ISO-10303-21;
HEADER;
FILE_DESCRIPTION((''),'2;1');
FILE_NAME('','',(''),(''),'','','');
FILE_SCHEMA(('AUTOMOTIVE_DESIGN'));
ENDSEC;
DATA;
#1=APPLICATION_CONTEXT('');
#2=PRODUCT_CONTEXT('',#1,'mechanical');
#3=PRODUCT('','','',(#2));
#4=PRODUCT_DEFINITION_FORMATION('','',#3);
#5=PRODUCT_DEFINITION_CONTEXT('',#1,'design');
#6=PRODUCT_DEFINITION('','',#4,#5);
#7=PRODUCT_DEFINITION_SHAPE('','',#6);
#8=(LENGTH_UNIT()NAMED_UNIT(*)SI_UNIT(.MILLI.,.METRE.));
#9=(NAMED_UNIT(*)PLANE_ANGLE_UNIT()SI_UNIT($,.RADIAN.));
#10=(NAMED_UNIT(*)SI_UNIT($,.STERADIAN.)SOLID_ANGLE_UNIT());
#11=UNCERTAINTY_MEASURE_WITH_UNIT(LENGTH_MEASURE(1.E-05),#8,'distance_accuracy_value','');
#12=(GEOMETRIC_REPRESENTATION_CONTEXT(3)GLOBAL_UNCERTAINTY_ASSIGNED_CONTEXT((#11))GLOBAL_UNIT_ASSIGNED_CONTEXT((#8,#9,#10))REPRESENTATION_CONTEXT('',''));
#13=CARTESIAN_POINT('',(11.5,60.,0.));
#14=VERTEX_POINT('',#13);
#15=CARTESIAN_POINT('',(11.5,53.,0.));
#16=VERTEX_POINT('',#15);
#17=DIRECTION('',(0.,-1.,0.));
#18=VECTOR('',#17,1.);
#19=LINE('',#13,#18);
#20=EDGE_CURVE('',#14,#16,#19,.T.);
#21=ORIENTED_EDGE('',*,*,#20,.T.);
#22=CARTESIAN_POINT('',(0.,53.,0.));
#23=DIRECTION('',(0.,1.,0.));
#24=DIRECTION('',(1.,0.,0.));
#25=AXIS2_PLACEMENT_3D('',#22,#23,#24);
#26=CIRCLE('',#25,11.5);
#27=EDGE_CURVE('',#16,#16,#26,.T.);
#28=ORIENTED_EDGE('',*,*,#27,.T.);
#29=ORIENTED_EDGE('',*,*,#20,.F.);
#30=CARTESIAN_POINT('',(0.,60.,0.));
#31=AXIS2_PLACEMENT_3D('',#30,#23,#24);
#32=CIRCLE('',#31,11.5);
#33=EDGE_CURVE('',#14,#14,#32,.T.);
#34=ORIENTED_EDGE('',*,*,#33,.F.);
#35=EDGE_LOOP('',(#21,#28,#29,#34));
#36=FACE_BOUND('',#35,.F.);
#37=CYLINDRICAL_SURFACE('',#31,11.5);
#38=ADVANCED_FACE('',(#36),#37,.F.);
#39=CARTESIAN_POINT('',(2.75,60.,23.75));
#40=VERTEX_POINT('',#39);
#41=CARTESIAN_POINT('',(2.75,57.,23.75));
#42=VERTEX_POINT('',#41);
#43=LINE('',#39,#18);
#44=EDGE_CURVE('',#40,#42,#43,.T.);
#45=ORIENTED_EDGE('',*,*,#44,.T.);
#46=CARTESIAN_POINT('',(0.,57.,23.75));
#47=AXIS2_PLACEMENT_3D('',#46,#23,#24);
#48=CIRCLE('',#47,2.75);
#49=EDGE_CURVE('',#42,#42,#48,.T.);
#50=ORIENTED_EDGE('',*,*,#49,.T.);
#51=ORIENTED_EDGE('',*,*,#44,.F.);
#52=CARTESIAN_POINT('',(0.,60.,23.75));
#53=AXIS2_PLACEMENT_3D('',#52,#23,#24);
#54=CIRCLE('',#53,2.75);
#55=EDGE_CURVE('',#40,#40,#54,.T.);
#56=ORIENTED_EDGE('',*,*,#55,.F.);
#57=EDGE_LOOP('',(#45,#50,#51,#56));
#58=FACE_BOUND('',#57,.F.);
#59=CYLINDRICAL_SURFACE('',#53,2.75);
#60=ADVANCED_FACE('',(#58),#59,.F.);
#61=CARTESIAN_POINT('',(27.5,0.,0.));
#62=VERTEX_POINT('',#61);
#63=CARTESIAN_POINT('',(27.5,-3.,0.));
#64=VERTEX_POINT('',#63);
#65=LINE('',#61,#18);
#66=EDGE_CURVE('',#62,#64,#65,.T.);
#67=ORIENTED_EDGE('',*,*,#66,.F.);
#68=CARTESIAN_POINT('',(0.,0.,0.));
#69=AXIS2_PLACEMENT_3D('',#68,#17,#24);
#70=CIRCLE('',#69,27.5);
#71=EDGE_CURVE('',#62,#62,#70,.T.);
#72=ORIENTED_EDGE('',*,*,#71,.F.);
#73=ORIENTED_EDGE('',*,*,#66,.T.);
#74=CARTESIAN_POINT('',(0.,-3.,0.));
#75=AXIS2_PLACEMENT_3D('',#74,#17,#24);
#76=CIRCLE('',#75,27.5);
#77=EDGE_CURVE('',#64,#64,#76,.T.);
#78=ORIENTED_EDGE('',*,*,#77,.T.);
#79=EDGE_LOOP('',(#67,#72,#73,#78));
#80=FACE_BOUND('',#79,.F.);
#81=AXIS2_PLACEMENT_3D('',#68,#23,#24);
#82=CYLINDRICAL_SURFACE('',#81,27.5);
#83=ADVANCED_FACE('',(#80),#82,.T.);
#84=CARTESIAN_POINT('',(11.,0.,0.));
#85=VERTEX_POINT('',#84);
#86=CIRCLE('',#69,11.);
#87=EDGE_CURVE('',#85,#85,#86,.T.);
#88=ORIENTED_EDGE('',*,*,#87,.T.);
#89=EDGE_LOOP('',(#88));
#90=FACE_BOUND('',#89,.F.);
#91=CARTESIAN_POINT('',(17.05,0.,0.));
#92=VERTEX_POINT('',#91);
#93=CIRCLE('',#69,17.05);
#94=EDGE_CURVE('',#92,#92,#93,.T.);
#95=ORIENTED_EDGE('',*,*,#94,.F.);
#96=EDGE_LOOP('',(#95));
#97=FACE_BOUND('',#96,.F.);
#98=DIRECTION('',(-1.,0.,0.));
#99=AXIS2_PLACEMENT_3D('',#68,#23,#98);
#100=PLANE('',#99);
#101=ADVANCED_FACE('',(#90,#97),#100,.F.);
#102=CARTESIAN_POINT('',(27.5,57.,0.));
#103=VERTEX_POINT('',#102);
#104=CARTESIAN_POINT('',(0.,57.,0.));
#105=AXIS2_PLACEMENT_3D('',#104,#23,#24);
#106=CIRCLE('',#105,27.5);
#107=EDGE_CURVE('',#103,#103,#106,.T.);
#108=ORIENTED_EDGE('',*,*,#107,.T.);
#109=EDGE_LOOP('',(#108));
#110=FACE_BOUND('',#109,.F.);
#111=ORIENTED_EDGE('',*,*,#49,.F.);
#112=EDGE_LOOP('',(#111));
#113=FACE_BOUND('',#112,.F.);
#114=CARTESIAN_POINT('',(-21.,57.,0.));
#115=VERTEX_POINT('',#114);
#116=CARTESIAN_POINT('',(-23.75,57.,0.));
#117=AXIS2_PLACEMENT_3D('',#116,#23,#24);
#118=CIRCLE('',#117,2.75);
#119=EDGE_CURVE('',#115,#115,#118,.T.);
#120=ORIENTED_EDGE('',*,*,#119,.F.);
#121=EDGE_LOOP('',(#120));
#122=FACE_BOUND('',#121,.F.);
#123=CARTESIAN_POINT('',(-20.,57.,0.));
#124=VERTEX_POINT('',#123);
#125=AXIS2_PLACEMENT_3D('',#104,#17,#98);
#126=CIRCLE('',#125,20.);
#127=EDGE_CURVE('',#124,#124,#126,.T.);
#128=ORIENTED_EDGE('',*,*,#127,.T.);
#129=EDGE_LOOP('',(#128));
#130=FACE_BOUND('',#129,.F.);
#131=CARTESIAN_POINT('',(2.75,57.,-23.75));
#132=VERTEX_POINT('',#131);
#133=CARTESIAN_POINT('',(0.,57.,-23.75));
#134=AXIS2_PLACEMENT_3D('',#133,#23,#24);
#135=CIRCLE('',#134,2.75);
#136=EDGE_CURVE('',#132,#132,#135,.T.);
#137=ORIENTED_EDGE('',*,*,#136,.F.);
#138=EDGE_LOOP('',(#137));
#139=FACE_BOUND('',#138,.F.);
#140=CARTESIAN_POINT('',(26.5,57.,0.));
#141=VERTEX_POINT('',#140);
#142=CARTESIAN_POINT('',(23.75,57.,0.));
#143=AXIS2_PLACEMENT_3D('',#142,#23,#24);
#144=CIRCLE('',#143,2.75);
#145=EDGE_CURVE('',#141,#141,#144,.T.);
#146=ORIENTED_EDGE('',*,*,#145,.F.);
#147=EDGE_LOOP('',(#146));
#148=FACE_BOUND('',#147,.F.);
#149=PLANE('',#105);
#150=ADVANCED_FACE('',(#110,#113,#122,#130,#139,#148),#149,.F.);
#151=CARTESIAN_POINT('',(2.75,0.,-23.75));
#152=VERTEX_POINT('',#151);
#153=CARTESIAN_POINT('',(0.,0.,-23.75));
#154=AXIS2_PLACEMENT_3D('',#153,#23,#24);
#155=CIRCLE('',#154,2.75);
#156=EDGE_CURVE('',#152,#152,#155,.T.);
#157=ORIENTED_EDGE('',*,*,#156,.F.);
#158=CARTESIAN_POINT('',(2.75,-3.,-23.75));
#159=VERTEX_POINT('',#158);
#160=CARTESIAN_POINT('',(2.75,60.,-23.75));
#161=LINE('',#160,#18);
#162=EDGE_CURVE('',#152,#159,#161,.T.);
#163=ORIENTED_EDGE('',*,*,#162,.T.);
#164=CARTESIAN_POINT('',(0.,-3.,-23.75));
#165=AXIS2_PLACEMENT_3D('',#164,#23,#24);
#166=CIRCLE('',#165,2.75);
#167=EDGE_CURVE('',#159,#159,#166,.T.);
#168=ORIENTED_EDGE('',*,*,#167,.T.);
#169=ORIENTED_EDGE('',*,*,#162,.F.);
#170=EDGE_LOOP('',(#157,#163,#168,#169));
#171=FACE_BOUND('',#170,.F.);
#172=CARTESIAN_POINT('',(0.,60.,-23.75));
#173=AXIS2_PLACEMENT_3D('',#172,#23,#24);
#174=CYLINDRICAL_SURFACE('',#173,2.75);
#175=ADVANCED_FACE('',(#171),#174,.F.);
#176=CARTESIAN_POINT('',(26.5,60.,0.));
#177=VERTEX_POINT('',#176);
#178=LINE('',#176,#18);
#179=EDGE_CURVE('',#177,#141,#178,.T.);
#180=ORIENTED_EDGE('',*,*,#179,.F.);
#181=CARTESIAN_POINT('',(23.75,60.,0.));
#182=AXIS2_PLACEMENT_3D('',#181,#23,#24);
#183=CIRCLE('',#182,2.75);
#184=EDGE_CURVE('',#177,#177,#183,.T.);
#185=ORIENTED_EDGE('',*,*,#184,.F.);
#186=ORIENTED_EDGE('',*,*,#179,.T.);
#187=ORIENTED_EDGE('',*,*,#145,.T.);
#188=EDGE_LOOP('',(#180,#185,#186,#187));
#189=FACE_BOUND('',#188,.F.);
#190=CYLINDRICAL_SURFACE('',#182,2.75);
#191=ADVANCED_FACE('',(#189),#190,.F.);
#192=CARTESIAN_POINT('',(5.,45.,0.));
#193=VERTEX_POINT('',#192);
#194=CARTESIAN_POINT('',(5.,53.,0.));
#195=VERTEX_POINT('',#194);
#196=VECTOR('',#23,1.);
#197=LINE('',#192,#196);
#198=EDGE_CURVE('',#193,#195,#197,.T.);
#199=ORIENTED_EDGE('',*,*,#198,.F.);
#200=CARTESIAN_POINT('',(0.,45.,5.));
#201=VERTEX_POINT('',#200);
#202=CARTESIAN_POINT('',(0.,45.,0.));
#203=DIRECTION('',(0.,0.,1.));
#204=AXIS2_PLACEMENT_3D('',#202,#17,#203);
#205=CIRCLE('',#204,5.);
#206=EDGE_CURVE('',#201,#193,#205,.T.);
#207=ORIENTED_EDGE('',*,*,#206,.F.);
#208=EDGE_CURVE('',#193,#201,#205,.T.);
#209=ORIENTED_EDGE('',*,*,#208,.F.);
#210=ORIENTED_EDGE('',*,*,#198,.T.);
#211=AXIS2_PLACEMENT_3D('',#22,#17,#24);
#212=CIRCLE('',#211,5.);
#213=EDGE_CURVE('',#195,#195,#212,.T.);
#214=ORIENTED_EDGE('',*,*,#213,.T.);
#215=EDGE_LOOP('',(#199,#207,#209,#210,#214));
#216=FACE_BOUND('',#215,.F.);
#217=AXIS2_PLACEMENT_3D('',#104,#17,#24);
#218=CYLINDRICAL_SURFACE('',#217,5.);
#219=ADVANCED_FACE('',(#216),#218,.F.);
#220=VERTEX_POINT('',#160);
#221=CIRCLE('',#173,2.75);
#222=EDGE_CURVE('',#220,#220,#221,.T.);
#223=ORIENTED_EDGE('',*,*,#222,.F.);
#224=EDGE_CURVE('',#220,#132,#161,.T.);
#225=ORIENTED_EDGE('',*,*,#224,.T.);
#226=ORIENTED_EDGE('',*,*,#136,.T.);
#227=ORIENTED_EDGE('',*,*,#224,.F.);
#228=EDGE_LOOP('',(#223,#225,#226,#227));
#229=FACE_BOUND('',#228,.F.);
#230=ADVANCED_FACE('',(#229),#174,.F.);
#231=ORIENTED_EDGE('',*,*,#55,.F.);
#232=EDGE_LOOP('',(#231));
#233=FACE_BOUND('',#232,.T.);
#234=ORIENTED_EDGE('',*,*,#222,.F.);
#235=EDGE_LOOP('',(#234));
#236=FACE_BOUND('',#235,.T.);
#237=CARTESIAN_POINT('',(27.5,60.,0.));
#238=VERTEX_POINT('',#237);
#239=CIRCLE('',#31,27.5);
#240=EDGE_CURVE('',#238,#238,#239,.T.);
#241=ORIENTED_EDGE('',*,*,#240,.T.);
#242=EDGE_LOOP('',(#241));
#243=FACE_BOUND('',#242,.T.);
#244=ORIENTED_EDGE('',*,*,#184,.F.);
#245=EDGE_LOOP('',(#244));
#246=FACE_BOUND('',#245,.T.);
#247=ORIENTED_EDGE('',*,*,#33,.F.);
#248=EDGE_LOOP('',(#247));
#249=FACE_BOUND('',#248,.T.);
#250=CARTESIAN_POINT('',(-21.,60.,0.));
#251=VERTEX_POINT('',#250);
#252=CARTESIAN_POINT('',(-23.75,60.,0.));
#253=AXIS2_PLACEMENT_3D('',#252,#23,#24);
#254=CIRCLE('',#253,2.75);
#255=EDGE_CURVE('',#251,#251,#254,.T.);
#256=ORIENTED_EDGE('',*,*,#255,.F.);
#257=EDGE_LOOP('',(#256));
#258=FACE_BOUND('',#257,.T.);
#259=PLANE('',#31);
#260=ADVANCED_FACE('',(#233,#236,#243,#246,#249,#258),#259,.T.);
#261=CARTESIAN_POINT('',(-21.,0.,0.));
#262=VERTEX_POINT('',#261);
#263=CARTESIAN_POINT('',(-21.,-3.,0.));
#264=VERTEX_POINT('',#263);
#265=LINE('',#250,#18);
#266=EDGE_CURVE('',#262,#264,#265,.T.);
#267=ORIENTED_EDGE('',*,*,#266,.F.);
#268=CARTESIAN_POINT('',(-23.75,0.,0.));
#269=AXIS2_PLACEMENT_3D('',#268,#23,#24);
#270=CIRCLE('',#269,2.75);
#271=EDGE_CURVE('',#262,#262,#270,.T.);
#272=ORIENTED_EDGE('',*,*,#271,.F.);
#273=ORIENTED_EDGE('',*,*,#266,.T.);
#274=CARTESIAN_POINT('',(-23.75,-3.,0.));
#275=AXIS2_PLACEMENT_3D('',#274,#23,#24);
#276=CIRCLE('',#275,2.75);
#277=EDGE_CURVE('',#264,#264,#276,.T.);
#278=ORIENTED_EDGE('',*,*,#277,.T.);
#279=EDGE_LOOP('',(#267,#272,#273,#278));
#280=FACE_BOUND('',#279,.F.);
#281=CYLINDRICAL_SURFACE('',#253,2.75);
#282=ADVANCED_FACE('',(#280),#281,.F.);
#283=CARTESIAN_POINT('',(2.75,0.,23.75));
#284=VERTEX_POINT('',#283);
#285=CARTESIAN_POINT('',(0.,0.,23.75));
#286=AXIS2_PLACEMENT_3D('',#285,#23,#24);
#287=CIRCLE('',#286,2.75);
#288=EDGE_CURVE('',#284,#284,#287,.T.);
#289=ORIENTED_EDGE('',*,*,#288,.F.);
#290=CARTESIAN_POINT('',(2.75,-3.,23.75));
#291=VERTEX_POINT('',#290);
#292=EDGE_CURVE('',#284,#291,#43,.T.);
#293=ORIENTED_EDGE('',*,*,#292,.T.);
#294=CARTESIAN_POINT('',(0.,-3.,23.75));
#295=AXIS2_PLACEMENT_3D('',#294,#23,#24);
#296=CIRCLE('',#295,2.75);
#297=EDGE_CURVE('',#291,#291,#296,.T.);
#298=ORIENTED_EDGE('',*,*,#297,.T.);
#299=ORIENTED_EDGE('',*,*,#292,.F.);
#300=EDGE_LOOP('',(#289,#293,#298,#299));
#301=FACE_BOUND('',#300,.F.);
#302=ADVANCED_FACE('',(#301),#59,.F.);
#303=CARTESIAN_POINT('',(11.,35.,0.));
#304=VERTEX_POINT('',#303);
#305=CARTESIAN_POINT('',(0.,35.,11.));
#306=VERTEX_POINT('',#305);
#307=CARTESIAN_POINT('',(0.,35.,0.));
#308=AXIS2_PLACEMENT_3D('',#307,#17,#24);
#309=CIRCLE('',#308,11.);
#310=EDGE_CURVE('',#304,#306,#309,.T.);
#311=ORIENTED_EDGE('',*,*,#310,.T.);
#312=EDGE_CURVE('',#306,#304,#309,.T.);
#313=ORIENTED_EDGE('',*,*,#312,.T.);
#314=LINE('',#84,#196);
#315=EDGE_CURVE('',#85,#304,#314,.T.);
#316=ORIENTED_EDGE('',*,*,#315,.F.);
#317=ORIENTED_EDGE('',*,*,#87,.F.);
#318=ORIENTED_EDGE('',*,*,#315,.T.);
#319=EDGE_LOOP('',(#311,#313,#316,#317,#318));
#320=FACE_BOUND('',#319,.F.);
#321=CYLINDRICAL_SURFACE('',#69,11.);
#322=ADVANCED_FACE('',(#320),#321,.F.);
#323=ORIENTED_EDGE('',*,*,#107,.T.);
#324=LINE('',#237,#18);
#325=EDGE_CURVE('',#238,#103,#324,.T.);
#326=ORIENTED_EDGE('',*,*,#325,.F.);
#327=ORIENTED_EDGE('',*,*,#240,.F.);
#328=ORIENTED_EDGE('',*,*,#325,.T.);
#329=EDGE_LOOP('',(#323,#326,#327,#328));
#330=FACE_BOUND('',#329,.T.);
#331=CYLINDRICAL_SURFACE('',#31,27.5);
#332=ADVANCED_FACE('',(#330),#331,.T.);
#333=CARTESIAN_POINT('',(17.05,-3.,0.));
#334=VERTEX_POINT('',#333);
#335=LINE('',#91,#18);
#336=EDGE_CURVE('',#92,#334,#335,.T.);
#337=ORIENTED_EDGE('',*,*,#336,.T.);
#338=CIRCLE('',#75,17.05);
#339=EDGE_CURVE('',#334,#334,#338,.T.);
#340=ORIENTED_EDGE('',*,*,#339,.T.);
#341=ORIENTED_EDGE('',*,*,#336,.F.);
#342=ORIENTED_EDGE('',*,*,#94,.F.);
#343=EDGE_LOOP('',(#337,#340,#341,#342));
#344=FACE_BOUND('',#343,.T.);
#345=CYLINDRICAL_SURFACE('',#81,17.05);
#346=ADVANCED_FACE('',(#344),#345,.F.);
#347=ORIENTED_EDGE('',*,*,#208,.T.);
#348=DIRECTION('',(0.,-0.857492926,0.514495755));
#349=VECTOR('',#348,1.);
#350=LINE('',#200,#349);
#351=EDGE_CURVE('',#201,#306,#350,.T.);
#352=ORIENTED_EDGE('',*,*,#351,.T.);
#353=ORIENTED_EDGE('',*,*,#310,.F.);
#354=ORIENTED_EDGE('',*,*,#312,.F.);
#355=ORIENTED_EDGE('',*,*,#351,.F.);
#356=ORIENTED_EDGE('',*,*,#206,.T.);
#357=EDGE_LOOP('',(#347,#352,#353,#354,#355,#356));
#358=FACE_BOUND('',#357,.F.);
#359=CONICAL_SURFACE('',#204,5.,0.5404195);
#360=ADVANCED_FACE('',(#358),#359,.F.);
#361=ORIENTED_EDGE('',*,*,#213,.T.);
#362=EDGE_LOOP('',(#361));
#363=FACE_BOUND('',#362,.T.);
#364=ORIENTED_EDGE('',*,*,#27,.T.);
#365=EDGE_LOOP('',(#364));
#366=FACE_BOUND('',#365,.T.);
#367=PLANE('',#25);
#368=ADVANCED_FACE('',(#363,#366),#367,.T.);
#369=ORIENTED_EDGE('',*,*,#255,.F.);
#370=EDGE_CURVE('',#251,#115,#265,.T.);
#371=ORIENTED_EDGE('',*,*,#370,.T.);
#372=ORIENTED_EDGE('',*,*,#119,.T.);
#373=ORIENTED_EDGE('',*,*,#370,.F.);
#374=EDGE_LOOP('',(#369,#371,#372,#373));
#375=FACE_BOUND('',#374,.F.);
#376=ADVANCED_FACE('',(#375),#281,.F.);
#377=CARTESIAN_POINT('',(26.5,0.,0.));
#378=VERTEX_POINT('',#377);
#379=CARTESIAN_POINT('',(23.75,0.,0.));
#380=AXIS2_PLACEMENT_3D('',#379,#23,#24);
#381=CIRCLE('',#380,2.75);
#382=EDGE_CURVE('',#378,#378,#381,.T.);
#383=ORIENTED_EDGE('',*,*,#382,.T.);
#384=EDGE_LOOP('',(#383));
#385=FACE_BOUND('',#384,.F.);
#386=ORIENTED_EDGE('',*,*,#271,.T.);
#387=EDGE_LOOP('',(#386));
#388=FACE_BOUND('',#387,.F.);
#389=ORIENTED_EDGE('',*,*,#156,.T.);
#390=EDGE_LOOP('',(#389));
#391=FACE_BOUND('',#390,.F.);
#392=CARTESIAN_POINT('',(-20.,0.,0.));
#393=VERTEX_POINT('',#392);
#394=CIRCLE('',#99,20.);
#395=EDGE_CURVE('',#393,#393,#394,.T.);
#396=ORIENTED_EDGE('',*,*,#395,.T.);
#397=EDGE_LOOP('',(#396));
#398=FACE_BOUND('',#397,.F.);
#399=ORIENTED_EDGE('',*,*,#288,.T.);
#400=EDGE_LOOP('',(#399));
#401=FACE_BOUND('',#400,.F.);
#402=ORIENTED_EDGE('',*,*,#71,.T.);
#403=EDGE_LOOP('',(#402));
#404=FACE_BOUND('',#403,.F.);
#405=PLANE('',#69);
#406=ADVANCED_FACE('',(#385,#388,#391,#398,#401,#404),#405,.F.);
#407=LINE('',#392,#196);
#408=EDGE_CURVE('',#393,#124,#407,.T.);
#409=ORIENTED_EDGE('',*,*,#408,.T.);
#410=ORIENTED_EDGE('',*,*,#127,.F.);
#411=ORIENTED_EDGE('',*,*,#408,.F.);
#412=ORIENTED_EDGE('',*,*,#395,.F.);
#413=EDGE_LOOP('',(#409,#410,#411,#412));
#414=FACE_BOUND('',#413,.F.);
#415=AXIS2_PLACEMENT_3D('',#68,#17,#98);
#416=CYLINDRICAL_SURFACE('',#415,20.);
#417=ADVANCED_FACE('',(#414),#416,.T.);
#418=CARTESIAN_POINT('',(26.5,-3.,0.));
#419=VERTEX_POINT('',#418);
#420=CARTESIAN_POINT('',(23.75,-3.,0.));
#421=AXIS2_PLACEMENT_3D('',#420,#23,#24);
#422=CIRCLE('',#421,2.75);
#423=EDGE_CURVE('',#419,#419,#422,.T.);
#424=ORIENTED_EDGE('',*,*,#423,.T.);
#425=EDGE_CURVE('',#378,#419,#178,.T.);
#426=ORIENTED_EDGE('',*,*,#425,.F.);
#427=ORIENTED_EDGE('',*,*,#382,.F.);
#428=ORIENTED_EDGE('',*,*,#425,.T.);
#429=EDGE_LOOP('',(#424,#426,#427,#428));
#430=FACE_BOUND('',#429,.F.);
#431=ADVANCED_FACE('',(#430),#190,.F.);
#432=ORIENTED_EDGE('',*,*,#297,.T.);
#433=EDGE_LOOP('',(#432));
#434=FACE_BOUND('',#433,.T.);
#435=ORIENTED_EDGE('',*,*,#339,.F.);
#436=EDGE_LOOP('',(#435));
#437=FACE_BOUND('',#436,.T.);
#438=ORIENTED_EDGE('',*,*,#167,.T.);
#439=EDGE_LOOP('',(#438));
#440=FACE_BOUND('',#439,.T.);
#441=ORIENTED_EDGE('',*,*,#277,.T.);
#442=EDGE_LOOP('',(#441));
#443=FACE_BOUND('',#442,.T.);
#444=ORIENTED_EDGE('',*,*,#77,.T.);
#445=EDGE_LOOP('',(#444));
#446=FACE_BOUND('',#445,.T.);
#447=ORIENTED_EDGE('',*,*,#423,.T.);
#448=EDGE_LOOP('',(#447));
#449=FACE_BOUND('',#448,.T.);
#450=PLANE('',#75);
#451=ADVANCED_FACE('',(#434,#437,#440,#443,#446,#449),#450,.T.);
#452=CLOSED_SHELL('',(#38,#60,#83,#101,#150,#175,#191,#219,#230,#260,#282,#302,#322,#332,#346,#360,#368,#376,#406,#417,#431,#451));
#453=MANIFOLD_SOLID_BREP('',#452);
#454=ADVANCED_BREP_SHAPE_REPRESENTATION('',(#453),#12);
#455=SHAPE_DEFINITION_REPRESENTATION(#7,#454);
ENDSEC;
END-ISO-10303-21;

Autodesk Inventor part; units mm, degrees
ref_plane "YZ Plane" through (0, 0, 0) normal (1, 0, 0) x (0, 1, 0)
ref_plane "XZ Plane" through (0, 0, 0) normal (0, 1, 0) x (-1, 0, 0)
ref_plane "XY Plane" through (0, 0, 0) normal (0, 0, 1) x (1, 0, 0)
sketch "Boceto1" plane through (0, 0, 0) normal (0, 1, 0) x (-1, 0, 0)
  circle A0 centre (0, 0) radius 20
  dimension "d0" = 40
extrude "Extrusión1" add sketch "Boceto1" along normal blind 60
sketch "Boceto10" plane through (0, 0, 0) normal (0, -1, 0) x (1, 0, 0)
  circle A0 centre (0, 0) radius 11
  dimension "d34" = 22
extrude "Extrusión2" cut sketch "Boceto10" against normal blind 35
sketch "Boceto11" plane through (0, 0, 0) normal (1, 0, 0) x (0, 1, 0)
  line L0 (35, -11) -> (35, 11) projected
  line L1 (35, 0) -> (35, 11)
  line L2 (35, 0) -> (45, 0)
  line L3 (45, 0) -> (45, 5)
  line L4 (45, 5) -> (35, 11)
  point P0 (0, 0)
  dimension "d37" = 10
  dimension "d38" = 5
revolve "Revolución6" cut sketch "Boceto11" angle 360 about axis through (0, 35, 0) along (0, -1, 0)
sketch "Boceto12" plane through (0, 45, 0) normal (0, -1, 0) x (1, 0, 0)
  circle A0 centre (0, 0) radius 5
extrude "Extrusión3" cut sketch "Boceto12" against normal blind 35
sketch "Boceto13" plane through (0, 60, 0) normal (0, 1, 0) x (1, 0, 0)
  circle A0 centre (0, 0) radius 5 projected
  circle A1 centre (0, 0) radius 20
  dimension "d42" = 40
extrude "Extrusión4" cut sketch "Boceto13" against normal blind 1
sketch "Boceto14" plane through (0, 60, 0) normal (0, 1, 0) x (1, 0, 0)
  circle A0 centre (0, 0) radius 27.5
  dimension "d45" = 55
extrude "Extrusión5" add sketch "Boceto14" against normal blind 3
sketch "Boceto15" plane through (0, 57, 0) normal (0, -1, 0) x (1, 0, 0)
  circle A0 centre (0, 0) radius 11 projected
  circle A1 centre (0, 0) radius 5
extrude "Extrusión6" cut sketch "Boceto15" against normal blind 10 contours A1
sketch "Boceto16" plane through (0, 0, 0) normal (0, -1, 0) x (1, 0, 0)
  circle A0 centre (0, 0) radius 27.5
  circle A1 centre (0, 0) radius 17.05
  dimension "d50" = 34.1
extrude "Extrusión7" add sketch "Boceto16" along normal blind 3
sketch "Boceto17" plane through (0, 60, 0) normal (0, 1, 0) x (1, 0, 0)
  circle A0 centre (0, 0) radius 20
  circle A1 centre (0, 0) radius 27.5
  circle A2 centre (0, -23.75) radius 2.75
  circle A3 centre (-23.75, 0) radius 2.75
  circle A4 centre (0, 23.75) radius 2.75
  circle A5 centre (23.75, 0) radius 2.75
  dimension "d53" = 40
  dimension "d58" = 5.5
  dimension "d59" = 5.5
  dimension "d60" = 5.5
  dimension "d61" = 5.5
extrude "Extrusión8" cut sketch "Boceto17" against normal blind 100 contours A2 | A3 | A4 | A5
sketch "Boceto18" plane through (0, 60, 0) normal (0, 1, 0) x (1, 0, 0)
  circle A0 centre (0, 0) radius 11.5
  dimension "d64" = 23
extrude "Extrusión9" cut sketch "Boceto18" against normal blind 7
properties part number "cabezal extrusora"
